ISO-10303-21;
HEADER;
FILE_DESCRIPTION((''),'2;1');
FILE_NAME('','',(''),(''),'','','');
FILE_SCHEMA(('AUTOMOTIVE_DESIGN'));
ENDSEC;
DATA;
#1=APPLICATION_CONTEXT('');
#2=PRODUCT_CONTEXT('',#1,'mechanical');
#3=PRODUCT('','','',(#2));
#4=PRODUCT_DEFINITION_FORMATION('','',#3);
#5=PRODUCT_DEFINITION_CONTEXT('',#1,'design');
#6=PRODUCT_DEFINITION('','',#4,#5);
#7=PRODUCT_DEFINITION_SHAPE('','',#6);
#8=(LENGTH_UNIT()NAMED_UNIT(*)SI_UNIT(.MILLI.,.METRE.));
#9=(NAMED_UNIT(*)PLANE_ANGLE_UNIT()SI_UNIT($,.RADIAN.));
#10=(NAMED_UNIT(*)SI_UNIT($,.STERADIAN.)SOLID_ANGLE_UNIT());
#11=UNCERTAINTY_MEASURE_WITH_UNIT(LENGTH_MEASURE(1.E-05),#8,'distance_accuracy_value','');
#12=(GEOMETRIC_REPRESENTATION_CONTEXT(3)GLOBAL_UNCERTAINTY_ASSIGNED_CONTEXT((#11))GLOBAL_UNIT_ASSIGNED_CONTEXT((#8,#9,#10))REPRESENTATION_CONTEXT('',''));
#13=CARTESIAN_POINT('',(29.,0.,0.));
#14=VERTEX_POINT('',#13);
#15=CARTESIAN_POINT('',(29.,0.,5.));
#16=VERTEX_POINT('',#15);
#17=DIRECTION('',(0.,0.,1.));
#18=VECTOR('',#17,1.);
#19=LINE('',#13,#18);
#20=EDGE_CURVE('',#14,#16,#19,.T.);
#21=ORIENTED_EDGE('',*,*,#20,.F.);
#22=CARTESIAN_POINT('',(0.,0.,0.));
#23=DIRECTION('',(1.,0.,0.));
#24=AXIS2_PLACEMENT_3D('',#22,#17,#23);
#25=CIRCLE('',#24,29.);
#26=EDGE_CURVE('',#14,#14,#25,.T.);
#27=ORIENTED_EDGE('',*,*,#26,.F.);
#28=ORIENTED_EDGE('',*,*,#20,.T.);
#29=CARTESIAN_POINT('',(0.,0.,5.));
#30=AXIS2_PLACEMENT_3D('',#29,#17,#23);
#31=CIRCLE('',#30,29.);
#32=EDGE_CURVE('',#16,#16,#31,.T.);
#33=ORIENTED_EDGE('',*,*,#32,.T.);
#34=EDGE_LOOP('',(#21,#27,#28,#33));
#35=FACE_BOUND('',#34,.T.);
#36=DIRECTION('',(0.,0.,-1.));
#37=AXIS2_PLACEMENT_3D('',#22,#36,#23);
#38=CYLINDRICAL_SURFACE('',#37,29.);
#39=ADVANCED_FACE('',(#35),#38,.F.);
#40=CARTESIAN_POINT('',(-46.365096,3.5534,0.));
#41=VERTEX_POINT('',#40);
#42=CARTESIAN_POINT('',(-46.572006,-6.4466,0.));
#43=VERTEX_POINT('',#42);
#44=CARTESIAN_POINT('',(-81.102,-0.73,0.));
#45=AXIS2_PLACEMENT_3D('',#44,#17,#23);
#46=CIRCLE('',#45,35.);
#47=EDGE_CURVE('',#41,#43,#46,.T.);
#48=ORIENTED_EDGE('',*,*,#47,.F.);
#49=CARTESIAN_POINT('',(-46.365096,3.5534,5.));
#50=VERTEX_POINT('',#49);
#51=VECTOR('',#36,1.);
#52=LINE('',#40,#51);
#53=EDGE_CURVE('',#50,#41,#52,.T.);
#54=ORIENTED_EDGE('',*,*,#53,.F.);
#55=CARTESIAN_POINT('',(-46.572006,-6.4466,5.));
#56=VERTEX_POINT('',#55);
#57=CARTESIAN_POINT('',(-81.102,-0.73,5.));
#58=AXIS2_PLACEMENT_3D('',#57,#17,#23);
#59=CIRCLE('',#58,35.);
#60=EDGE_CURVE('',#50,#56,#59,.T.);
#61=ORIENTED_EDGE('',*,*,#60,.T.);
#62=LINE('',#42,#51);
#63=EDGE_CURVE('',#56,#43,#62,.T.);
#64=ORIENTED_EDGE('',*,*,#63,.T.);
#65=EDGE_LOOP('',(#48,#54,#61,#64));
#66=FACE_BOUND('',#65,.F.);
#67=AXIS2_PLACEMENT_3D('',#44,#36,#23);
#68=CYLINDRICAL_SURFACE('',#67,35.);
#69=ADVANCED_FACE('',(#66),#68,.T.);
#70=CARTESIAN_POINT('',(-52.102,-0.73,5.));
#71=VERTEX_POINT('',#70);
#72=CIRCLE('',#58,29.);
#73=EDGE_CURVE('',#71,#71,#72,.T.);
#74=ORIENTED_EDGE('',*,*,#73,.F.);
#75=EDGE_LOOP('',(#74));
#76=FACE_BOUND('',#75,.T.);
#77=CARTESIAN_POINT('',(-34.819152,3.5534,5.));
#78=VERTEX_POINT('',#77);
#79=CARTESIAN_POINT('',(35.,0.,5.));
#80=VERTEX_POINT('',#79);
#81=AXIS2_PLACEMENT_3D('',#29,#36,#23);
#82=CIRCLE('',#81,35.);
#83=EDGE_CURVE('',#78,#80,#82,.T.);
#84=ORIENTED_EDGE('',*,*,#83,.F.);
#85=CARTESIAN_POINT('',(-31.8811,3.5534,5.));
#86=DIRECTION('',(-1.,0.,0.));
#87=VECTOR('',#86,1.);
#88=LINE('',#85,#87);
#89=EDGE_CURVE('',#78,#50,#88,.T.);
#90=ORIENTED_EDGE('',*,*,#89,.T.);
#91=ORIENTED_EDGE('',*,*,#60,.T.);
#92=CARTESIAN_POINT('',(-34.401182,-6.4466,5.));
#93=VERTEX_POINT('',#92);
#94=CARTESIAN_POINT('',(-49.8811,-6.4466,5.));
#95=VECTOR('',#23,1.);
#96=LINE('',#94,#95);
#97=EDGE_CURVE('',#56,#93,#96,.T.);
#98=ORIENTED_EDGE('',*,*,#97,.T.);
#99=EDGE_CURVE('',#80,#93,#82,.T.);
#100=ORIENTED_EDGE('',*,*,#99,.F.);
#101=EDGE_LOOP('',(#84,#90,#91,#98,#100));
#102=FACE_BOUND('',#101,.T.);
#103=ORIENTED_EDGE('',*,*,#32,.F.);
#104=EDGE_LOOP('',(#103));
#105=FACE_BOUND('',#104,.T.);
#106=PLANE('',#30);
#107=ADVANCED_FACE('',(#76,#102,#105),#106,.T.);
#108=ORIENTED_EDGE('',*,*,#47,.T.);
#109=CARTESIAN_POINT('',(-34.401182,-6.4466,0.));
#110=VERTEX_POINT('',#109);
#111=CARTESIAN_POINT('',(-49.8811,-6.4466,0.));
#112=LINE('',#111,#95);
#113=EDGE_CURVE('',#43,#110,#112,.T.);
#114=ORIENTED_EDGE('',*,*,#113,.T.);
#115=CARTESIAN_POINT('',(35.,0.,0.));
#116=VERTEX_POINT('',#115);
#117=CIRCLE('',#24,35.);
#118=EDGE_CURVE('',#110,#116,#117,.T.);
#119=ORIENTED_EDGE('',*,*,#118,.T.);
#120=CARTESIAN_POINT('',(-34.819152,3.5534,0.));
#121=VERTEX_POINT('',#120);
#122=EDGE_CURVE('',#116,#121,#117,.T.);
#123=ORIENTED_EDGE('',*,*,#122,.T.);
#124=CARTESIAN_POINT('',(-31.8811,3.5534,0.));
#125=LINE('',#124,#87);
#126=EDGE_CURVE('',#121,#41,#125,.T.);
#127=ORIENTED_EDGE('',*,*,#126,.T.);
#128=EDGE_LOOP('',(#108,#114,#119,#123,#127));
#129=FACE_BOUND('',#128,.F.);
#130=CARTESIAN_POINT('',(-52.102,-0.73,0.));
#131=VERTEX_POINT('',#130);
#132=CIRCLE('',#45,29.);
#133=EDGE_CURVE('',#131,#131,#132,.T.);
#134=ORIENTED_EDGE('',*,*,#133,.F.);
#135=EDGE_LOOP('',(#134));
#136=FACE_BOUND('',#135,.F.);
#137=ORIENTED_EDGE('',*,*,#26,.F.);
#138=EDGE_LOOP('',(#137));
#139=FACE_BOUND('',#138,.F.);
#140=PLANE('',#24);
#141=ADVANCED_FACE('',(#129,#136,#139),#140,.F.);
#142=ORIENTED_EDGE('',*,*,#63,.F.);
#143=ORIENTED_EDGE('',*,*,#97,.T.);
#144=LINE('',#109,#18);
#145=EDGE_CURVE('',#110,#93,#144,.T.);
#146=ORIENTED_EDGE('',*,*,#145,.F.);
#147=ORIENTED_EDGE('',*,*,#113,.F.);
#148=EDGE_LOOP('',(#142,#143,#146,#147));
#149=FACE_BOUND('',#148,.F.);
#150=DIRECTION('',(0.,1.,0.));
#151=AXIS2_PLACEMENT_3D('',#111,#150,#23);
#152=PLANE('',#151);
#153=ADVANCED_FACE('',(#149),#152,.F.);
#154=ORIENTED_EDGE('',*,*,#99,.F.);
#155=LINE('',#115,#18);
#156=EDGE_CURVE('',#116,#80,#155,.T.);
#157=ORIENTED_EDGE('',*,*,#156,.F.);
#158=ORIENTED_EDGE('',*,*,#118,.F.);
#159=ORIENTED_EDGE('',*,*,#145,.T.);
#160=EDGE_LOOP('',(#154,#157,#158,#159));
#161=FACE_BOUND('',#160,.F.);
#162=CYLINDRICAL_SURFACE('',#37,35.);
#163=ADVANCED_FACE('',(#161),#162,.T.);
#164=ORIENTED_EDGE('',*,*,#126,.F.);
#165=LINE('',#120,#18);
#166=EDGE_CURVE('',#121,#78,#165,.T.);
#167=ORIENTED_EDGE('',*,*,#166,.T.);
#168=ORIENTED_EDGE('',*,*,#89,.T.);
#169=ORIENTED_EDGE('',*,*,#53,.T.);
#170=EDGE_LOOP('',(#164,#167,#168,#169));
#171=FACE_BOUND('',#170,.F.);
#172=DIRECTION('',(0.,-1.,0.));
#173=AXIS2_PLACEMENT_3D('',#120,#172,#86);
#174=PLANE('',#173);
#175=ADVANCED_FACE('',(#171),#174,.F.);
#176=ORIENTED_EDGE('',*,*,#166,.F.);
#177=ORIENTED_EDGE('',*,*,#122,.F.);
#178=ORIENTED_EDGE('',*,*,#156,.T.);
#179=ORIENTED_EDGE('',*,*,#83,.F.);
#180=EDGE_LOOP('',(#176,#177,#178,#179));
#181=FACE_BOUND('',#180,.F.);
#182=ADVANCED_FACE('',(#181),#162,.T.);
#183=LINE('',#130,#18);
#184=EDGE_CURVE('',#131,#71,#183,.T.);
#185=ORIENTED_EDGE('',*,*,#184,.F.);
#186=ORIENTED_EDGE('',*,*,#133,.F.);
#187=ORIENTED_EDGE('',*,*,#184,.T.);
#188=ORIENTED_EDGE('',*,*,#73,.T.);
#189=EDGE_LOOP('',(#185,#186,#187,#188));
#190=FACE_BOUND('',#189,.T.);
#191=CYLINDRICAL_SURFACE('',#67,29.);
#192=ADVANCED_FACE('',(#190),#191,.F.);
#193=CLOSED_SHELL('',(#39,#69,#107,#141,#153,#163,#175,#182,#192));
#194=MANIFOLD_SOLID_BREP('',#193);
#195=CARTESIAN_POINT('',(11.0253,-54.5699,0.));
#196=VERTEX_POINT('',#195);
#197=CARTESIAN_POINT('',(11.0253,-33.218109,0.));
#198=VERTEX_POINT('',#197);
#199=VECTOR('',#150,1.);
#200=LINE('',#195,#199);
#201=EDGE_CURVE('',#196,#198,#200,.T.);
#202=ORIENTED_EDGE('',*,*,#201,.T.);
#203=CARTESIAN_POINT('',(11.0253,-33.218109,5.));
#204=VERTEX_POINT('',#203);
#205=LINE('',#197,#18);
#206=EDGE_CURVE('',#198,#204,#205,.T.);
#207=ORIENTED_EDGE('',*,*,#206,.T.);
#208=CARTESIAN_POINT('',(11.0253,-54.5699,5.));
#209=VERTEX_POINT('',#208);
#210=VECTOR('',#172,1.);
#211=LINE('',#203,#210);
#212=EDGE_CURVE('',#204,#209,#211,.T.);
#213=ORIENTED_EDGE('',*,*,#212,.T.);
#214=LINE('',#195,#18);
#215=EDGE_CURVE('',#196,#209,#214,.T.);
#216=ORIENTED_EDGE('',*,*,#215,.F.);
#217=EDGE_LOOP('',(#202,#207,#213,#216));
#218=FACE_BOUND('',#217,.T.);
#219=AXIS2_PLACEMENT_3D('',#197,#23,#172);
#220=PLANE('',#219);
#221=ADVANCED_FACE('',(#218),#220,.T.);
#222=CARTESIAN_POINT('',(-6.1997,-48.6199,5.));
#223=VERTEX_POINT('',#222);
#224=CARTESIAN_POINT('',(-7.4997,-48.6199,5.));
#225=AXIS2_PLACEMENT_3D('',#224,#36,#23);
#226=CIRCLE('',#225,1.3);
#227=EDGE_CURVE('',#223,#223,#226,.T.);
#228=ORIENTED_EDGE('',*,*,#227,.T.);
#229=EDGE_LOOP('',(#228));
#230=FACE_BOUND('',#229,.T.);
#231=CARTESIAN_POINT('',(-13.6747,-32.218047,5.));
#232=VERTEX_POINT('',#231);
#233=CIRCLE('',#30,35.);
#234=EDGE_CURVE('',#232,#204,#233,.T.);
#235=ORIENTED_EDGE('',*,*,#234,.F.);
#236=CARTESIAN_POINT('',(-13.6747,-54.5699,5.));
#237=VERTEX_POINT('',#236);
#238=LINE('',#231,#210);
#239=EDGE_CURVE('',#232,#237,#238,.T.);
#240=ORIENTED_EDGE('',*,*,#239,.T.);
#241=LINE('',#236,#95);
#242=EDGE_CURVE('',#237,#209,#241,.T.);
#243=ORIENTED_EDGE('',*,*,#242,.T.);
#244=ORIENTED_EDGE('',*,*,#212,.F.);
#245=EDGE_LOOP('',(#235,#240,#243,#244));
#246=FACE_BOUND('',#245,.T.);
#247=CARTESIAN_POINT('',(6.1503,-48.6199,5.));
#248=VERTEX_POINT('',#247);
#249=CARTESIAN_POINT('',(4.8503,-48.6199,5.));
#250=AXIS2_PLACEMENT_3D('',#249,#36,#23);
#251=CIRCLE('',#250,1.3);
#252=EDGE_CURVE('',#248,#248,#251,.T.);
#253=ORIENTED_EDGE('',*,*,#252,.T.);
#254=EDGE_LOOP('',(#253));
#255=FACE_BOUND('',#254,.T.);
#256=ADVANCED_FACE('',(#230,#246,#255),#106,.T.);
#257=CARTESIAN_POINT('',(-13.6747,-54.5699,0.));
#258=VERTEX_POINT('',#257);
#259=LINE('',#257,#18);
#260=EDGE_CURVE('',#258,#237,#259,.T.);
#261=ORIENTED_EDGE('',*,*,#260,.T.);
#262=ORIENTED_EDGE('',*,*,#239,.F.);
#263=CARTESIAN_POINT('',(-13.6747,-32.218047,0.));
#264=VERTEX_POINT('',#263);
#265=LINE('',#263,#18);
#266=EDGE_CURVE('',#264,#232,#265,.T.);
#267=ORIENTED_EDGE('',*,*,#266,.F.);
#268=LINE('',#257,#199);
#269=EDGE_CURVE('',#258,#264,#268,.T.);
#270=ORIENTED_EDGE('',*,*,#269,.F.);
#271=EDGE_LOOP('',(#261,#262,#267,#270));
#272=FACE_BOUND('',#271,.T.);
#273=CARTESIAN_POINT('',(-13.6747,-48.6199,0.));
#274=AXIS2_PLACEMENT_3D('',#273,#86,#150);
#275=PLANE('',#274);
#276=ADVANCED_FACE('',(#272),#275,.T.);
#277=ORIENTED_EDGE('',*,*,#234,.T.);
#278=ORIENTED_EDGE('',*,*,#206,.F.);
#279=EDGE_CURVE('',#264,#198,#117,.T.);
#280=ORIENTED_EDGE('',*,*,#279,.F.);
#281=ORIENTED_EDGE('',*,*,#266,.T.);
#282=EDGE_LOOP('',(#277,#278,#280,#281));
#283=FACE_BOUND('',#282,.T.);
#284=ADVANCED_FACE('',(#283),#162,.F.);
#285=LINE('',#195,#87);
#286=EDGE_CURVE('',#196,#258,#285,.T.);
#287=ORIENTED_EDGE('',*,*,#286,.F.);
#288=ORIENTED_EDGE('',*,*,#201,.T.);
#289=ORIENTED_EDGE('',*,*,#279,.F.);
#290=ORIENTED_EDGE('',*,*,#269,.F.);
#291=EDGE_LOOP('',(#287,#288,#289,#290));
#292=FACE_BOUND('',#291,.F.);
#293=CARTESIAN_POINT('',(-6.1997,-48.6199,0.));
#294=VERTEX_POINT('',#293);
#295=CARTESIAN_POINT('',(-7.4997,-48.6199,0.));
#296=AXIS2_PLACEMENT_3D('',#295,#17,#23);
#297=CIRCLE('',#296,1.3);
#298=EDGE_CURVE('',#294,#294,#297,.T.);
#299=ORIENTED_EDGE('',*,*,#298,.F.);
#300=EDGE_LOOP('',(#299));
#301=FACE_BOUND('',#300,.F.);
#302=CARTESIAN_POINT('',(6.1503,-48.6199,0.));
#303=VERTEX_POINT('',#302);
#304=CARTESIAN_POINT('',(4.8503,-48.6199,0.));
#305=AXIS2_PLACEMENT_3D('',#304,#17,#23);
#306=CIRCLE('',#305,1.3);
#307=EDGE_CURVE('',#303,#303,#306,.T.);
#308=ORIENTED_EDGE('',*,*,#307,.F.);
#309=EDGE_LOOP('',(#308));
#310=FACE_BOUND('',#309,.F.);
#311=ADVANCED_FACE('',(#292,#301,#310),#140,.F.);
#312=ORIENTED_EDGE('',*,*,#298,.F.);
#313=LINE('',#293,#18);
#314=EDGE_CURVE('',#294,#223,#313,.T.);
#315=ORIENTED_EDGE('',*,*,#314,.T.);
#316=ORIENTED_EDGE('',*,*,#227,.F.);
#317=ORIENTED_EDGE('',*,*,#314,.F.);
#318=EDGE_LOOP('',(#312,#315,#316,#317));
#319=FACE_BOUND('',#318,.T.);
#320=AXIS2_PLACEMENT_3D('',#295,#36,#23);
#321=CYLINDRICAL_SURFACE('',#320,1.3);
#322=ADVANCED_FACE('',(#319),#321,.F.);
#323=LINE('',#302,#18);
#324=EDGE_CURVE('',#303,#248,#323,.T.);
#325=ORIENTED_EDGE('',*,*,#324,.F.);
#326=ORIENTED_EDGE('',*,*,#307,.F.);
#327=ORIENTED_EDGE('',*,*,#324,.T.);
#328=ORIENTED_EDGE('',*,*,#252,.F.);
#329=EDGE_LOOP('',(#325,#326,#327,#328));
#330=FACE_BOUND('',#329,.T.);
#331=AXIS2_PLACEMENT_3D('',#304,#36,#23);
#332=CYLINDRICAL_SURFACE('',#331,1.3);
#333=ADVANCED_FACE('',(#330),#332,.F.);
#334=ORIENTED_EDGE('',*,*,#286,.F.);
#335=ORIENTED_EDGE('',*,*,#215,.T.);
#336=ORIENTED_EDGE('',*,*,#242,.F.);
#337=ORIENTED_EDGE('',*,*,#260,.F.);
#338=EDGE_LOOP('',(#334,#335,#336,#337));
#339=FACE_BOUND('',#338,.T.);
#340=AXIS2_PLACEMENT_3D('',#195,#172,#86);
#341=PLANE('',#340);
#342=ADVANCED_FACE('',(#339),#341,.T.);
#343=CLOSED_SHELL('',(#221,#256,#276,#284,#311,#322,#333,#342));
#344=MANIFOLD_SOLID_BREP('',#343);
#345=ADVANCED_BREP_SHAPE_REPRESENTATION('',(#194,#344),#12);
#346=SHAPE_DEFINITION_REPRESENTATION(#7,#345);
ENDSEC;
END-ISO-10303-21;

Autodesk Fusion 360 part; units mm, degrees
sketch "Sketch1" plane through (0, 0, 0) normal (0, 0, 1) x (1, 0, 0)
  circle A0 centre (0, 0) radius 29
  circle A1 centre (0, 0) radius 35
  line L0 (-13.6747, -29.8699) -> (11.0253, -29.8699)
  line L1 (11.0253, -29.8699) -> (11.0253, -54.5699)
  line L2 (11.0253, -54.5699) -> (-13.6747, -54.5699)
  line L3 (-13.6747, -54.5699) -> (-13.6747, -29.8699)
  line L4 (-31.8811, 3.5534) -> (-49.8811, 3.5534)
  line L5 (-49.8811, 3.5534) -> (-49.8811, -6.4466)
  line L6 (-49.8811, -6.4466) -> (-31.8811, -6.4466)
  line L7 (-31.8811, -6.4466) -> (-31.8811, 3.5534)
  line L8 (-13.6747, -48.6199) -> (-7.4997, -48.6199)
  line L9 (-7.4997, -54.5699) -> (-7.4997, -48.6199)
  line L10 (11.0253, -48.6199) -> (4.8503, -48.6199)
  line L11 (4.8719, -54.5699) -> (4.8719, -48.6199)
  circle A2 centre (4.8503, -48.6199) radius 1.3
  circle A3 centre (-7.4997, -48.6199) radius 1.3
  dimension "d3" = 58
  dimension "d4" = 70
  dimension "d12" = 24.7
  dimension "d13" = 24.7
  dimension "d14" = 18
  dimension "d15" = 10
  dimension "d18" = 6.175
  dimension "d19" = 5.95
  dimension "d20" = 6.175
  dimension "d21" = 5.95
  dimension "d23" = 2.6
  dimension "d24" = 2.6
extrude "Extrude1" add sketch "Sketch1" along normal blind 5 contours A1 L0 L1 L3 L4 L6 L7 | A1 L4 L6 L7 | A1 L0 L1 L3 makes body 1
extrude "Extrude2" add sketch "Sketch1" along normal blind 5 separate body contours A1 L1 L2 L3 L8 L9 L10 L11 A2 A3 | L1 L2 L10 L11 A2 | L2 L3 L8 L9 A3 makes body 2
sketch "Sketch2" plane through (0, 0, 0) normal (0, 0, 1) x (1, 0, 0)
  circle A0 centre (-81.102, -0.73) radius 29
  circle A1 centre (-81.102, -0.73) radius 35
  dimension "d27" = 58
  dimension "d28" = 70
extrude "Extrude3" add sketch "Sketch1" sketch "Sketch2" along normal blind 5 contours A1 L4 L5 L6 of sketch 2 bodies 1
equation "holder_d = 58 mm"
equation "holder_od = holder_d + 12 mm"
equation "d3 = holder_d"
equation "d4 = holder_od"
equation "d5 = holder_thickness"
equation "holder_thickness = 5 mm"
equation "mount_w = 24.7 mm"
equation "mount_l = 24.7 mm"
equation "connecter_w = 10 mm"
equation "connecter_l = 18 mm"
equation "d12 = mount_w"
equation "d13 = mount_l"
equation "d14 = connecter_l"
equation "d15 = connecter_w"
equation "offset_m3hole_w = 6.175 mm"
equation "offset_m3hole_l = 5.95 mm"
equation "d18 = offset_m3hole_w"
equation "d19 = offset_m3hole_l"
equation "d20 = offset_m3hole_w"
equation "m3_diam = 2.6 mm"
equation "d23 = m3_diam"
equation "d24 = m3_diam"
equation "d25 = holder_thickness"
equation "d27 = holder_d"
equation "d28 = holder_od"
equation "d29 = holder_thickness"
